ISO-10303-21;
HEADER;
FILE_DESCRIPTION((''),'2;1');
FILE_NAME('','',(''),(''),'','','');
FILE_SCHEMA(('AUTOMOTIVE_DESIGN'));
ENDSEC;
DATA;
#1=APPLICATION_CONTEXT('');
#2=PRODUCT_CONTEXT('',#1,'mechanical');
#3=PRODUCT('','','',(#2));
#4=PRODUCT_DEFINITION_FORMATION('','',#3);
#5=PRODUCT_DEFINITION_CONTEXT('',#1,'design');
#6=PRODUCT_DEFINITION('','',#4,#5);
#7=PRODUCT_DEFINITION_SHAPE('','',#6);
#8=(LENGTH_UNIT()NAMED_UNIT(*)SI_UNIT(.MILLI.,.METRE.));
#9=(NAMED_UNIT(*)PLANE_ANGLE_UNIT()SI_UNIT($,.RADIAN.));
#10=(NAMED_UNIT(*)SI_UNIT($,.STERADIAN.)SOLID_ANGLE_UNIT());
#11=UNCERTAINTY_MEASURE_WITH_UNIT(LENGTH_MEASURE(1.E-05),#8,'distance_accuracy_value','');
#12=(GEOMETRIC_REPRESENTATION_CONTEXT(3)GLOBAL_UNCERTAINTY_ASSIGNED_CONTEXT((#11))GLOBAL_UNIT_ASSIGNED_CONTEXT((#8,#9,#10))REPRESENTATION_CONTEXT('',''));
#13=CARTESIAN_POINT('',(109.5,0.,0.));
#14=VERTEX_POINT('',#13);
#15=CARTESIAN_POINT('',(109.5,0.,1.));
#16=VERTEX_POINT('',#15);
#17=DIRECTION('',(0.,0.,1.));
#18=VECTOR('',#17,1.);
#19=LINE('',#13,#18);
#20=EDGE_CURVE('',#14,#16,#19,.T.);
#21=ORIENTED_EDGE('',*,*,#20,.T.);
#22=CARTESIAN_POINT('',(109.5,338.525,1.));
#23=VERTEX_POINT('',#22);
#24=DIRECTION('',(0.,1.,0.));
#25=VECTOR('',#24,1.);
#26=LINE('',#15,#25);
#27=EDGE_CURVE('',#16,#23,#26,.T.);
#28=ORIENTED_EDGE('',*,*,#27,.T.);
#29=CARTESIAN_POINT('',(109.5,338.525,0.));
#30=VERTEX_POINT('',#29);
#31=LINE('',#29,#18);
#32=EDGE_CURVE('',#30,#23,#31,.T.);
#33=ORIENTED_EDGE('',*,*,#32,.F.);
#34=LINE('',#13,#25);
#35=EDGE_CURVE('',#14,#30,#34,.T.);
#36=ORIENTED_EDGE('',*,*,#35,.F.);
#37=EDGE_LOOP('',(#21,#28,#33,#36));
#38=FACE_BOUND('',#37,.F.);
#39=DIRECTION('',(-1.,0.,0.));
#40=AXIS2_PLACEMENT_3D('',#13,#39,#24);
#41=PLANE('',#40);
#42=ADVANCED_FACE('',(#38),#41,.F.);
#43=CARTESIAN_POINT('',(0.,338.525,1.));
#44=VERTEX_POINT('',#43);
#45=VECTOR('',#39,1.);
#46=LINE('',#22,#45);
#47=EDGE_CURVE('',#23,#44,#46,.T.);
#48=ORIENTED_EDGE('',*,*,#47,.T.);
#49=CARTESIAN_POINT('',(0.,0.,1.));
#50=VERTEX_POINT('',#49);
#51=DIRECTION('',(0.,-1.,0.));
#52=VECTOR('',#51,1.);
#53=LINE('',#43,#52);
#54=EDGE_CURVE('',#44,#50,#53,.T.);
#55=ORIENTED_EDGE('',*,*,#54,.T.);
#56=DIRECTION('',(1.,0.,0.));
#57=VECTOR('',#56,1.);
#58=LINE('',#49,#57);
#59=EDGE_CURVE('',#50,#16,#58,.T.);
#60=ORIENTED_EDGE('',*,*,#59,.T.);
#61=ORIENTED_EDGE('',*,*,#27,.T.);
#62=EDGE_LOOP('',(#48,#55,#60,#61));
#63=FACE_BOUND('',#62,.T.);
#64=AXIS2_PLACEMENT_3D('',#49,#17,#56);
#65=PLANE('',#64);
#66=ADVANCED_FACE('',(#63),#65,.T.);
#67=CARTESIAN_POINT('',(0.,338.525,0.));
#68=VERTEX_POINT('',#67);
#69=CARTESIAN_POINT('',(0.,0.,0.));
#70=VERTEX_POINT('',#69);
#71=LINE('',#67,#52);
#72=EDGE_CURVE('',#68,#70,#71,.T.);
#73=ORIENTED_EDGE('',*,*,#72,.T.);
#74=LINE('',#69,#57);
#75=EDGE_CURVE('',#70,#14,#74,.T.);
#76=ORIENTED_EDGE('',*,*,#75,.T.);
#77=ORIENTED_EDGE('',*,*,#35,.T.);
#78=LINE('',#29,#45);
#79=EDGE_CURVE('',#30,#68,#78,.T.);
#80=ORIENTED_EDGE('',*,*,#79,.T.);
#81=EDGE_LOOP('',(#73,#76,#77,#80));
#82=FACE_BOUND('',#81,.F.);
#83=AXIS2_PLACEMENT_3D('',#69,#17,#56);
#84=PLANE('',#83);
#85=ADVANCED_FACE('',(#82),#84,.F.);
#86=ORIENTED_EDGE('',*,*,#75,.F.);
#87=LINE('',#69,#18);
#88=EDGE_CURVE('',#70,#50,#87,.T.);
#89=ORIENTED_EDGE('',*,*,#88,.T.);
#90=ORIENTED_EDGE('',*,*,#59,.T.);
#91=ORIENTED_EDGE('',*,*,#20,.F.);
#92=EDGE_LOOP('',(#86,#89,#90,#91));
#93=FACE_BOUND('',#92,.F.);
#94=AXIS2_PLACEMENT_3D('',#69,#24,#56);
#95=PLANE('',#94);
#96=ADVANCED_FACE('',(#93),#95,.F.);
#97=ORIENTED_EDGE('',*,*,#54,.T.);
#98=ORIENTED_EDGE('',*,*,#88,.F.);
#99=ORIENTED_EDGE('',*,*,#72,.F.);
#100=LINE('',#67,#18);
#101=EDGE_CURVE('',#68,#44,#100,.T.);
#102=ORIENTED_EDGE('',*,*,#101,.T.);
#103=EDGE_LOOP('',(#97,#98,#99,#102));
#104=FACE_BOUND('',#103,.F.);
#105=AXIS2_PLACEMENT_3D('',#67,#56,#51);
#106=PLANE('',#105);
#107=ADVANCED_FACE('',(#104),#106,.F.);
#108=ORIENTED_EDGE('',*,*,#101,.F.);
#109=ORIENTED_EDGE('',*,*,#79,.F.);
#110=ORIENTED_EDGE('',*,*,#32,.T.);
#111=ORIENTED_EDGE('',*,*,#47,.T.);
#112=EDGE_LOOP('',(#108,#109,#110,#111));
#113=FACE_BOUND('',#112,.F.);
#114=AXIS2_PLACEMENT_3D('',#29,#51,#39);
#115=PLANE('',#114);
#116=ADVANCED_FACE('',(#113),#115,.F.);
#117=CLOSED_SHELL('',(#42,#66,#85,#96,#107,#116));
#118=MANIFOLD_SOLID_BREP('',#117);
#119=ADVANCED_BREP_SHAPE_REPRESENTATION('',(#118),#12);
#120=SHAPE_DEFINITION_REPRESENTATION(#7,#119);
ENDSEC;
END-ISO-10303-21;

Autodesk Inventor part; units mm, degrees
ref_plane "YZ Plane" through (0, 0, 0) normal (1, 0, 0) x (0, 1, 0)
ref_plane "XZ Plane" through (0, 0, 0) normal (0, 1, 0) x (-1, 0, 0)
ref_plane "XY Plane" through (0, 0, 0) normal (0, 0, 1) x (1, 0, 0)
sketch "Sketch1" plane through (0, 0, 0) normal (0, 0, 1) x (1, 0, 0)
  line L0 (0, 0) -> (109.5, 0)
  line L1 (109.5, 0) -> (109.5, 338.525)
  line L2 (109.5, 338.525) -> (0, 338.525)
  line L3 (0, 338.525) -> (0, 0)
  dimension "d0" = 109.5
  dimension "d1" = 338.525
extrude "Extrusion1" add sketch "Sketch1" along normal blind 1
properties part number "sideplate"
